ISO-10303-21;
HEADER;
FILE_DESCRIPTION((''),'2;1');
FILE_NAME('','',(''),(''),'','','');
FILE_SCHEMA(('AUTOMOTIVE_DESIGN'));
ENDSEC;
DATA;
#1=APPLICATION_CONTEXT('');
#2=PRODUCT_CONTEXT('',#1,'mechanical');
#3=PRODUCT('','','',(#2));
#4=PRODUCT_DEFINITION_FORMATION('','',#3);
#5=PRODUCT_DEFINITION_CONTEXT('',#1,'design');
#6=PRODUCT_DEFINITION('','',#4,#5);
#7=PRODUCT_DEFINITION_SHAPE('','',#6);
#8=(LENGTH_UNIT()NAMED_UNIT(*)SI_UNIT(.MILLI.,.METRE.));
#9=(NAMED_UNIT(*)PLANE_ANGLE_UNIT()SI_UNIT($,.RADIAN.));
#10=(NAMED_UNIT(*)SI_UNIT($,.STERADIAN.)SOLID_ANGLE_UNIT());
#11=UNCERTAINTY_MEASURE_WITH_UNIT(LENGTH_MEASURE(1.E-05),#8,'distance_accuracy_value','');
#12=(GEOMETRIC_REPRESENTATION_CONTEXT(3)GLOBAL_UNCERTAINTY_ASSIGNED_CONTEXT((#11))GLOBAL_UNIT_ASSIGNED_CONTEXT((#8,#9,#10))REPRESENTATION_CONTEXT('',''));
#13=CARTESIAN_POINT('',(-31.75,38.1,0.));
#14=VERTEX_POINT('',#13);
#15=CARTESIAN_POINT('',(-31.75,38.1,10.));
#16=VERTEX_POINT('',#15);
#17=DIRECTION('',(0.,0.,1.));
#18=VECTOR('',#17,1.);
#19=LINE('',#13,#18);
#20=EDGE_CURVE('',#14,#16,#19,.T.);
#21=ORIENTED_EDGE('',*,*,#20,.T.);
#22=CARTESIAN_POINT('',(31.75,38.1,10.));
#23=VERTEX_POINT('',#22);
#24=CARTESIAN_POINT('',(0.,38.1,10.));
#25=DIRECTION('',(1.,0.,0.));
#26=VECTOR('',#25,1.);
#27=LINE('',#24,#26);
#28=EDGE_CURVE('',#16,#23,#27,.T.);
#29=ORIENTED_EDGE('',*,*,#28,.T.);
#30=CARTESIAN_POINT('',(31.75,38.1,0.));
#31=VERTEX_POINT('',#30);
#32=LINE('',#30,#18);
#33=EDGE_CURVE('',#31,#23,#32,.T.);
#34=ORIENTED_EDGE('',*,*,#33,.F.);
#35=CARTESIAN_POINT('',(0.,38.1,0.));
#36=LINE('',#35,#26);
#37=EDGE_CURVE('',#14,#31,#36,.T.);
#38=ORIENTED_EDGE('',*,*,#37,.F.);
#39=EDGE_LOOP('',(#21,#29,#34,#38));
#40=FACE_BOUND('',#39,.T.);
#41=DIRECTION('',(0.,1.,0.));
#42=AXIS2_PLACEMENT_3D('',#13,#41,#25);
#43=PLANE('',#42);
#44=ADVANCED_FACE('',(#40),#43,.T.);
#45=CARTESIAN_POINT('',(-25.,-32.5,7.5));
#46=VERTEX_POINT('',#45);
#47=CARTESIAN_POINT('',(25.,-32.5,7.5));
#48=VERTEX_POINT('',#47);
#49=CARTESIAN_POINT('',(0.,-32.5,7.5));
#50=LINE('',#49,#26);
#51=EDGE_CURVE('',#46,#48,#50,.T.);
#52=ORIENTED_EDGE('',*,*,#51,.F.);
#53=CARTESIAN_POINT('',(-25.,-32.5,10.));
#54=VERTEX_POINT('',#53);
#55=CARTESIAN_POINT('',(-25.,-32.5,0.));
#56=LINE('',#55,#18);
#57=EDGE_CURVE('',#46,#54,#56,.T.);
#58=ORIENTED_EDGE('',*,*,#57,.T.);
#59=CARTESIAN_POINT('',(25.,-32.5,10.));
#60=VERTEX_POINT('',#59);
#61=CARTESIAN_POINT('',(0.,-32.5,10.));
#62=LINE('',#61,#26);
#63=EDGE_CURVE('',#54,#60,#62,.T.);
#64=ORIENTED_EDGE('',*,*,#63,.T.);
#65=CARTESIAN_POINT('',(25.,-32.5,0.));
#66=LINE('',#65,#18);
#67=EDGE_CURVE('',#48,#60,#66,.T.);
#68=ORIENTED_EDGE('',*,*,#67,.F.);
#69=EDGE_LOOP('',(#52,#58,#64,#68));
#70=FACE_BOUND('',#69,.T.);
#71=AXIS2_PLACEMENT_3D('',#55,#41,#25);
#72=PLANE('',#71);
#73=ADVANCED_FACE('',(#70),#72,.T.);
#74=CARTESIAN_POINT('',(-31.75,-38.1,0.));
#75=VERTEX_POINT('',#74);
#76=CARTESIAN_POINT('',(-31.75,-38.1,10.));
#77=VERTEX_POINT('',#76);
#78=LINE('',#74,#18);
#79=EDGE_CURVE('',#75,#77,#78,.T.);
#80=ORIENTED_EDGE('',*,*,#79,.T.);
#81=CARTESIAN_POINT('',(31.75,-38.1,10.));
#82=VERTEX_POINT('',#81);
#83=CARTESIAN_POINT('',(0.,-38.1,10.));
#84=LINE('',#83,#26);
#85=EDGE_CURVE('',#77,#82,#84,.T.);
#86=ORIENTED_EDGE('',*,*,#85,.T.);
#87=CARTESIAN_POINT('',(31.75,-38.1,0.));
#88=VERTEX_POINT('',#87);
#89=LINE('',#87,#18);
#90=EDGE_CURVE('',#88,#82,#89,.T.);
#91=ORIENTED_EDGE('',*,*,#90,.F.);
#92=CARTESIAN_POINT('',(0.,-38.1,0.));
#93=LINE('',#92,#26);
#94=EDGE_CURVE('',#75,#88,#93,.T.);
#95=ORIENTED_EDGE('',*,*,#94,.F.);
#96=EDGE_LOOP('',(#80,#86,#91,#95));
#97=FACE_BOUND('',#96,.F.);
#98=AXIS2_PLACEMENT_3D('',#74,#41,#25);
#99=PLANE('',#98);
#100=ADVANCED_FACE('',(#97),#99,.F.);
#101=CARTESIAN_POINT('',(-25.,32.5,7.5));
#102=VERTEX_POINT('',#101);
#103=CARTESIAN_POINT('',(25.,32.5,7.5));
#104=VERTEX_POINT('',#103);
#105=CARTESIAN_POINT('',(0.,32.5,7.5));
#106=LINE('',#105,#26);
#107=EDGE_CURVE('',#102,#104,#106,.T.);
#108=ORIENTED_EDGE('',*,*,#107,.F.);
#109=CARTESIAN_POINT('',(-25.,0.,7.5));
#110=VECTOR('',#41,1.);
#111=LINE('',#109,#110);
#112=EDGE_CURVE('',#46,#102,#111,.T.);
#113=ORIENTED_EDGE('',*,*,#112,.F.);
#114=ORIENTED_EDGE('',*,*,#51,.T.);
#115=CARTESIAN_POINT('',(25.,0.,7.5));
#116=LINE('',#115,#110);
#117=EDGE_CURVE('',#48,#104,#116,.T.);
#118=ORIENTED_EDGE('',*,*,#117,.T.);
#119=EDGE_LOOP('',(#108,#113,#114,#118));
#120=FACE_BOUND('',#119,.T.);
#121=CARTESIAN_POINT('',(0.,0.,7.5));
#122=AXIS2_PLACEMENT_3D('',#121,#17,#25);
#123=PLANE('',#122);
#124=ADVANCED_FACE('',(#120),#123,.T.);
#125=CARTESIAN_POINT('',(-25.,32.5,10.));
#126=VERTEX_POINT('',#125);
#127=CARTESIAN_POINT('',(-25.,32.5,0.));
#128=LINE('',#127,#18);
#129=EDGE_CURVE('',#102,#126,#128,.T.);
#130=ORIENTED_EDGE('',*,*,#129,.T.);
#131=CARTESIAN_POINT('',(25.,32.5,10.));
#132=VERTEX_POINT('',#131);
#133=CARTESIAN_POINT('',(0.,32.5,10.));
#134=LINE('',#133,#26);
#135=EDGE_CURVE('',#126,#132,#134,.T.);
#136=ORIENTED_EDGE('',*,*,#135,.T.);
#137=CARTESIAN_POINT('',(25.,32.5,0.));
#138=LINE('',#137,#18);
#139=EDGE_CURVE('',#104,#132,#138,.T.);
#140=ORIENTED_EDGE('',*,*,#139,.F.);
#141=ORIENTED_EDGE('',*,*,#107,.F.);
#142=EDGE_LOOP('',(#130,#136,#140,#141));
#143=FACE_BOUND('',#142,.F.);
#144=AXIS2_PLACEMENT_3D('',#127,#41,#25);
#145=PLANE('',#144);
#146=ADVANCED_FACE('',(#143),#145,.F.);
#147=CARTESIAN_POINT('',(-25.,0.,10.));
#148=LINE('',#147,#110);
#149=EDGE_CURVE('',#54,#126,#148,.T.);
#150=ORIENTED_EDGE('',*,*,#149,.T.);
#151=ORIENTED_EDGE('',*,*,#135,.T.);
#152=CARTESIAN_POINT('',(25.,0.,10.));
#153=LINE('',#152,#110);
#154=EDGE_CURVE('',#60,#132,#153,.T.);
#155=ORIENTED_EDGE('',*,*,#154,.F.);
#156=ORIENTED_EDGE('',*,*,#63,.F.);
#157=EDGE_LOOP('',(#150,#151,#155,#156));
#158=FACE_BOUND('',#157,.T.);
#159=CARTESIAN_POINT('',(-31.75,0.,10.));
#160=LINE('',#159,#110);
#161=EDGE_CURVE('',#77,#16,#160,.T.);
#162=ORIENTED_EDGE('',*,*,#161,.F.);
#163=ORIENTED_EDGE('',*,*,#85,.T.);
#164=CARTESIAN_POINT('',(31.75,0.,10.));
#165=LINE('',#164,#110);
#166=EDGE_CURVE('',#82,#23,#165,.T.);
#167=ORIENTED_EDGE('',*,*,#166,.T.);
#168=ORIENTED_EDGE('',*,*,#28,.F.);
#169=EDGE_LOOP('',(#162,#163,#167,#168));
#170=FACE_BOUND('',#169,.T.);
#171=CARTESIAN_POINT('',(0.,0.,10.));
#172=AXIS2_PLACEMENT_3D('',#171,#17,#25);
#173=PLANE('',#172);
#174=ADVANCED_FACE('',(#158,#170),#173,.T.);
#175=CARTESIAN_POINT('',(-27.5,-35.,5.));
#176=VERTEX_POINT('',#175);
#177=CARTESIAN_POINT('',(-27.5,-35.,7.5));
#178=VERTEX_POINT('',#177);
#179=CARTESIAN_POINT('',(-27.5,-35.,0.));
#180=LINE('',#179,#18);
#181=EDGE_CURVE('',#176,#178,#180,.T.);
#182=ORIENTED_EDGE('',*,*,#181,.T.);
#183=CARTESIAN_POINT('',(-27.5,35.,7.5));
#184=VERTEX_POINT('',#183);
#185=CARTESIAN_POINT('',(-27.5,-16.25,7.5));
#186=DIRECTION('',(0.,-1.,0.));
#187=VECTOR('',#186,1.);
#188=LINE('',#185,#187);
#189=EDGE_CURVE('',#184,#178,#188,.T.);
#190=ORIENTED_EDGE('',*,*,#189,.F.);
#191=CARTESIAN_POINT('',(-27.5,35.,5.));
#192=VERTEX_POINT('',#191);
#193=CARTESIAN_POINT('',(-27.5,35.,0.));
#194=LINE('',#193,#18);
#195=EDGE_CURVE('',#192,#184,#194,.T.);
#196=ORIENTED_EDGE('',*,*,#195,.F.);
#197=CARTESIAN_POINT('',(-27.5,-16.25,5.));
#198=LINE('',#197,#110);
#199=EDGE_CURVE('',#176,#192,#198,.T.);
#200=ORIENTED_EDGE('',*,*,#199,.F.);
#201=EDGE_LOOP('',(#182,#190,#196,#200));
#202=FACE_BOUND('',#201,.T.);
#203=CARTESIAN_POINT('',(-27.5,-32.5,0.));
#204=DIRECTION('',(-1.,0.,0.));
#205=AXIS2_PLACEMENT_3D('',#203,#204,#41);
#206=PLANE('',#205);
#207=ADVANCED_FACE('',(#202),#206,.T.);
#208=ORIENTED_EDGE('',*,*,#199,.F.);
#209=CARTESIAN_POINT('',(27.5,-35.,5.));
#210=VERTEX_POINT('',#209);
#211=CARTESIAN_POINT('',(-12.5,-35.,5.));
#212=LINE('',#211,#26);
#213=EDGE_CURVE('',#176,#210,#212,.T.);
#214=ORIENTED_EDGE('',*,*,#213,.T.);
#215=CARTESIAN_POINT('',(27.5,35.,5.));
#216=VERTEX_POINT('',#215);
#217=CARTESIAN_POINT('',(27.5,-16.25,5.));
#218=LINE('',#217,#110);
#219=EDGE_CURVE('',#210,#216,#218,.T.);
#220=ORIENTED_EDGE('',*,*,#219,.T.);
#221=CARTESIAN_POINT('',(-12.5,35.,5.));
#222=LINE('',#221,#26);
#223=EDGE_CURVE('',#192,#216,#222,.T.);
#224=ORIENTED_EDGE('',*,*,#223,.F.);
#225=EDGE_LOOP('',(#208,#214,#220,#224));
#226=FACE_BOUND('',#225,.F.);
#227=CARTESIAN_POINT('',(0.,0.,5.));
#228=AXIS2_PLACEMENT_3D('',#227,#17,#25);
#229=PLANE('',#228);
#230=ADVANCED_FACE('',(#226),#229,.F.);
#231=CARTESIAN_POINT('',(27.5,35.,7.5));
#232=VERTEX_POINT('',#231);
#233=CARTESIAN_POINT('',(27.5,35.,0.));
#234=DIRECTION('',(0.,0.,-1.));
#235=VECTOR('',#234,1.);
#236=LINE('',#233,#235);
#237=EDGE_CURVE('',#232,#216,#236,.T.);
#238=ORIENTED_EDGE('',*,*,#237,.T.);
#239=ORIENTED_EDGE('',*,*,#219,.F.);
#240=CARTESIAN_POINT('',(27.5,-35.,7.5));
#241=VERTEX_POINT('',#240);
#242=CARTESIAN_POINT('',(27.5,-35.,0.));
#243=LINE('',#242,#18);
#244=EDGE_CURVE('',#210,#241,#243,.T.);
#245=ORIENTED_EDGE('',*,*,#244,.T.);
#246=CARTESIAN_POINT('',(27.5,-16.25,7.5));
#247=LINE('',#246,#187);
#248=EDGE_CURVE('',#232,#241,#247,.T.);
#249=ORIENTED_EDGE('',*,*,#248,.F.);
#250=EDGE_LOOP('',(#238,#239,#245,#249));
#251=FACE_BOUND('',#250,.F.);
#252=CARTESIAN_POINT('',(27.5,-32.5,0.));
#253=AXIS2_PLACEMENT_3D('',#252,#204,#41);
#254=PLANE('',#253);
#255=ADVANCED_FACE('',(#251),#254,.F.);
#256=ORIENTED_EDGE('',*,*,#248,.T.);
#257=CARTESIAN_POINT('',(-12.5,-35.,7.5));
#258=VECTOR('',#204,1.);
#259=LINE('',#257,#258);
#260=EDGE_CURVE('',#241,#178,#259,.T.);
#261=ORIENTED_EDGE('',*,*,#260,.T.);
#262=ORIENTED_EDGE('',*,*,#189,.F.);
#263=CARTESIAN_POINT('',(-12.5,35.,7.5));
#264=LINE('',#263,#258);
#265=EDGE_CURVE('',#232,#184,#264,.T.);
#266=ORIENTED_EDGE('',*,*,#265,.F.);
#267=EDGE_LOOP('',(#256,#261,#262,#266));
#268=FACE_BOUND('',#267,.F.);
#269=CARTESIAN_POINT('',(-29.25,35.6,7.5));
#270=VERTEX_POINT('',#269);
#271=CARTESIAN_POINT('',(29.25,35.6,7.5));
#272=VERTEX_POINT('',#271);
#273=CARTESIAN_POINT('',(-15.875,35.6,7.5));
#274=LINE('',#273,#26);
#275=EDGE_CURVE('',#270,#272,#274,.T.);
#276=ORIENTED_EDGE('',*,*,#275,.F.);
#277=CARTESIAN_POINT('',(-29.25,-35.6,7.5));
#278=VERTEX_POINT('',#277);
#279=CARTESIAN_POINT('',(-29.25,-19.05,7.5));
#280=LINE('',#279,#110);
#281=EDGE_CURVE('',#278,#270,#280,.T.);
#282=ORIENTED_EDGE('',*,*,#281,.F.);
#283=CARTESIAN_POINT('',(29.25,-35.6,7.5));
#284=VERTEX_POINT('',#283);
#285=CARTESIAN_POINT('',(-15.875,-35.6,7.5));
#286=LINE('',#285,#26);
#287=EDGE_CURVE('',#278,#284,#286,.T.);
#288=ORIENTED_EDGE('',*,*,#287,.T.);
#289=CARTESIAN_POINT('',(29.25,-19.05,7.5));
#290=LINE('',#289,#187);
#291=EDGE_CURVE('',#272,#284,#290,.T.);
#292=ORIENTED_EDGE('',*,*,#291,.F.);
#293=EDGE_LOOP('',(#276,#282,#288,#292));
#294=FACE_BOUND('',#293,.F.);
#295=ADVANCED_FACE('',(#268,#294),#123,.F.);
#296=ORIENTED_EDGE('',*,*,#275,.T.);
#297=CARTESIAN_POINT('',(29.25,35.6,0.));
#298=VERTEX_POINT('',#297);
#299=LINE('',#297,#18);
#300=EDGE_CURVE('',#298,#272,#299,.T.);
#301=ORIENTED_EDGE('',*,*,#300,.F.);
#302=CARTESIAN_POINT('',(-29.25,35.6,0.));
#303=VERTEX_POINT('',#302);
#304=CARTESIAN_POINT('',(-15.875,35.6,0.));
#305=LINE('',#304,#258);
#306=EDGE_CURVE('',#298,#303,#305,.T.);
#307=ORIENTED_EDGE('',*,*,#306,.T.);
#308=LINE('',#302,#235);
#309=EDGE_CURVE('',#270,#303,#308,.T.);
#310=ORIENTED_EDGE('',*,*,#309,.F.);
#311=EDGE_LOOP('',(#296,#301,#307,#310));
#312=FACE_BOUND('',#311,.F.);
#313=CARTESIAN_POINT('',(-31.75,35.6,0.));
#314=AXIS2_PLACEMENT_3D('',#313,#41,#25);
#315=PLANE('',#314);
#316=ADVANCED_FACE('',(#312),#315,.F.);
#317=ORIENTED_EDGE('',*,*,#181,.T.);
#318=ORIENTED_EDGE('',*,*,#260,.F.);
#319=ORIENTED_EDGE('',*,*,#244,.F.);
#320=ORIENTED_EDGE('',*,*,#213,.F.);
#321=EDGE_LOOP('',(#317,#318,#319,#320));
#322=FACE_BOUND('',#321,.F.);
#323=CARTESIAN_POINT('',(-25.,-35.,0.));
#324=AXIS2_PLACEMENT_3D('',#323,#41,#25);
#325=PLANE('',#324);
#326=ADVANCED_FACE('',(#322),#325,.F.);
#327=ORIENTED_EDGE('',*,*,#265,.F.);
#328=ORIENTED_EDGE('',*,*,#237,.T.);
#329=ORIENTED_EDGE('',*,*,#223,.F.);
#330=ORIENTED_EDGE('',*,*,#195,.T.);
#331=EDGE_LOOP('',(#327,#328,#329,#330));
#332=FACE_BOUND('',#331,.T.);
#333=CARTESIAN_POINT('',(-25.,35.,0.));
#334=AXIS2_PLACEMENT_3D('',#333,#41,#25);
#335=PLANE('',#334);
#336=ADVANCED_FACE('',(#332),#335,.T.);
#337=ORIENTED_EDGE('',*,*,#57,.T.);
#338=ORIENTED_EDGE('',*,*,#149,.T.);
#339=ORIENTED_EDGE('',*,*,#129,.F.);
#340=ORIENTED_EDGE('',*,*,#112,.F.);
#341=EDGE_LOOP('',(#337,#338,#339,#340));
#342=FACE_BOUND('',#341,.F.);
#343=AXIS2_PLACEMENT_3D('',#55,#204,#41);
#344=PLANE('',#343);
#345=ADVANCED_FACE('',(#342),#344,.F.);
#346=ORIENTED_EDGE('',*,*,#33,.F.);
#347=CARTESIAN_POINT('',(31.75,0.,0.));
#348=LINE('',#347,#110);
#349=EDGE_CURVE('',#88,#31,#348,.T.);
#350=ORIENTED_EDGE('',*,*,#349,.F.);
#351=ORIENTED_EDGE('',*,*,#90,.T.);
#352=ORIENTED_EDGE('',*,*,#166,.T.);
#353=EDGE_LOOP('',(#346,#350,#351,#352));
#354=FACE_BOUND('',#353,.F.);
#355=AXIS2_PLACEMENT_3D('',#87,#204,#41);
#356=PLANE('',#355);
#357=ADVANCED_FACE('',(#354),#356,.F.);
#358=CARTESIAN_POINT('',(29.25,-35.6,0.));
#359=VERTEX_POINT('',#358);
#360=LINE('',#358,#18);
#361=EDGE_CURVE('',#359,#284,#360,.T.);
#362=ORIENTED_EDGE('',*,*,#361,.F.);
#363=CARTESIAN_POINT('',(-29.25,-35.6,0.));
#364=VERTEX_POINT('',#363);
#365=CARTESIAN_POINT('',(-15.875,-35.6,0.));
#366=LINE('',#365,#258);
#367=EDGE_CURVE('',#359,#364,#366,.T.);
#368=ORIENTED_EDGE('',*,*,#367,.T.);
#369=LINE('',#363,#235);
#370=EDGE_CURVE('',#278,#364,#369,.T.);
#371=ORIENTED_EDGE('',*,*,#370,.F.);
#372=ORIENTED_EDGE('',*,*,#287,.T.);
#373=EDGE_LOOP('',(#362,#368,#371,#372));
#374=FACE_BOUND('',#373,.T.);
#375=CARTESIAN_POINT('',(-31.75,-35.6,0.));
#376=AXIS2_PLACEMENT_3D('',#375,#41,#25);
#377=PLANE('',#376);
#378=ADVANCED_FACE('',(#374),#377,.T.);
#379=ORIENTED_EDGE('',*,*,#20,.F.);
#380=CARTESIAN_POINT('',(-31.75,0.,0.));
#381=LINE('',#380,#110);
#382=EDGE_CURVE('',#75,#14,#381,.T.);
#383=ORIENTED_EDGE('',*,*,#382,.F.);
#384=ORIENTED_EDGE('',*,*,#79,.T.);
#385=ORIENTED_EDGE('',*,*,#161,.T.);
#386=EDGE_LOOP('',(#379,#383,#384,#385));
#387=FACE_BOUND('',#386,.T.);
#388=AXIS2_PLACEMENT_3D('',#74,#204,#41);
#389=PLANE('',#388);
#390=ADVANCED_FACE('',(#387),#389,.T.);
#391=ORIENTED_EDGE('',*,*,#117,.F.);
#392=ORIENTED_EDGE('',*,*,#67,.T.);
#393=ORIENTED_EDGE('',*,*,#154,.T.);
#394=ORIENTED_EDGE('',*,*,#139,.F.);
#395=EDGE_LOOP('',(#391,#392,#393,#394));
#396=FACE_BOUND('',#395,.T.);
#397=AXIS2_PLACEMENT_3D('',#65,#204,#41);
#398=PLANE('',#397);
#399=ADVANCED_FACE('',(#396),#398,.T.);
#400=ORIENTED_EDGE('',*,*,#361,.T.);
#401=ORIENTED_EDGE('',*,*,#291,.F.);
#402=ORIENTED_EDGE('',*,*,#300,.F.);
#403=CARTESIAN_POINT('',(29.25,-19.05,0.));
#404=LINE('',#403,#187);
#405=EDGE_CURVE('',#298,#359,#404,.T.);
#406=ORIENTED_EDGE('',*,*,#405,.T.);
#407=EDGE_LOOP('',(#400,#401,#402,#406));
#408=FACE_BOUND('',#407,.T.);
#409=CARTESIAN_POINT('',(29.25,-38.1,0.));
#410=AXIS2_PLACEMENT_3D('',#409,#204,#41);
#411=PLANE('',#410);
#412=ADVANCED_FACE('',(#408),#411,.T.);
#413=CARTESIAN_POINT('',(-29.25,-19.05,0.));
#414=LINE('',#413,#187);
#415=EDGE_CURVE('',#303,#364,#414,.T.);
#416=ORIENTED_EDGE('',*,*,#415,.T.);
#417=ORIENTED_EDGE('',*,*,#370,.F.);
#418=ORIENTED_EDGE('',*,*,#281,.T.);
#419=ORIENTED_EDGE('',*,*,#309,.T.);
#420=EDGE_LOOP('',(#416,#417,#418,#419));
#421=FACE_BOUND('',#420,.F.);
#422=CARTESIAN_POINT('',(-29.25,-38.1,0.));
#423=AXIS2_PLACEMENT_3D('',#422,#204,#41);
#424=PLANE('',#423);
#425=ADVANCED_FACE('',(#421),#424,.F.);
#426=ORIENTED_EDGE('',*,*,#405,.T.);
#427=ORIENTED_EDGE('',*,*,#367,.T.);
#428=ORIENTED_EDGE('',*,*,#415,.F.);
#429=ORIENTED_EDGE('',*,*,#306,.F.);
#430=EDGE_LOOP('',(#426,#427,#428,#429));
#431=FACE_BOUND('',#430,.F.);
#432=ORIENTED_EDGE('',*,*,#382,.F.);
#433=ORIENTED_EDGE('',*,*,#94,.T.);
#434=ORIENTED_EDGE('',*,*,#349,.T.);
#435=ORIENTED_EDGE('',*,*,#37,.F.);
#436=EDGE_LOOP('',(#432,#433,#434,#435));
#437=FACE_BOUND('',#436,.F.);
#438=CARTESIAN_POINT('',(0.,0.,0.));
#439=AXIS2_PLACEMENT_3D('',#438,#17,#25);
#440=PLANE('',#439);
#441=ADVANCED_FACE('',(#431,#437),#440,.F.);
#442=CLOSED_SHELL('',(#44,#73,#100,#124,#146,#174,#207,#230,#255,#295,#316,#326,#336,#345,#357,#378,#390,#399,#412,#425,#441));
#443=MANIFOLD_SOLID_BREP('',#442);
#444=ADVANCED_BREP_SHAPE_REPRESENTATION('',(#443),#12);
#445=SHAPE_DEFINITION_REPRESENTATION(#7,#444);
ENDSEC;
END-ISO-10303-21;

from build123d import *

# Parameters (mm, degrees)
F0_W     = 50
F0_H     = 65
F1_DEPTH = 7.5
F0_W_2   = 63.5
F0_H_2   = 76.2
F2_DEPTH = 10
F3_T     = -2.5


with BuildPart() as f1:
    # F0 (on Top) → F1 (new body)
    with BuildSketch(Plane.XY):
        Rectangle(F0_W, F0_H)
    extrude(amount=F1_DEPTH)

    # F0 (on Top) → F2 (join)
    with BuildSketch(Plane.XY):
        Rectangle(F0_W_2, F0_H_2)
        Rectangle(F0_W, F0_H, mode=Mode.SUBTRACT)
    extrude(amount=F2_DEPTH)

    # F3
    f3_openings = [f1.faces().sort_by_distance(p)[0] for p in [
        (0, 0, 0),
    ]]
    offset(amount=F3_T, openings=f3_openings, kind=Kind.INTERSECTION)


solid = f1.part
